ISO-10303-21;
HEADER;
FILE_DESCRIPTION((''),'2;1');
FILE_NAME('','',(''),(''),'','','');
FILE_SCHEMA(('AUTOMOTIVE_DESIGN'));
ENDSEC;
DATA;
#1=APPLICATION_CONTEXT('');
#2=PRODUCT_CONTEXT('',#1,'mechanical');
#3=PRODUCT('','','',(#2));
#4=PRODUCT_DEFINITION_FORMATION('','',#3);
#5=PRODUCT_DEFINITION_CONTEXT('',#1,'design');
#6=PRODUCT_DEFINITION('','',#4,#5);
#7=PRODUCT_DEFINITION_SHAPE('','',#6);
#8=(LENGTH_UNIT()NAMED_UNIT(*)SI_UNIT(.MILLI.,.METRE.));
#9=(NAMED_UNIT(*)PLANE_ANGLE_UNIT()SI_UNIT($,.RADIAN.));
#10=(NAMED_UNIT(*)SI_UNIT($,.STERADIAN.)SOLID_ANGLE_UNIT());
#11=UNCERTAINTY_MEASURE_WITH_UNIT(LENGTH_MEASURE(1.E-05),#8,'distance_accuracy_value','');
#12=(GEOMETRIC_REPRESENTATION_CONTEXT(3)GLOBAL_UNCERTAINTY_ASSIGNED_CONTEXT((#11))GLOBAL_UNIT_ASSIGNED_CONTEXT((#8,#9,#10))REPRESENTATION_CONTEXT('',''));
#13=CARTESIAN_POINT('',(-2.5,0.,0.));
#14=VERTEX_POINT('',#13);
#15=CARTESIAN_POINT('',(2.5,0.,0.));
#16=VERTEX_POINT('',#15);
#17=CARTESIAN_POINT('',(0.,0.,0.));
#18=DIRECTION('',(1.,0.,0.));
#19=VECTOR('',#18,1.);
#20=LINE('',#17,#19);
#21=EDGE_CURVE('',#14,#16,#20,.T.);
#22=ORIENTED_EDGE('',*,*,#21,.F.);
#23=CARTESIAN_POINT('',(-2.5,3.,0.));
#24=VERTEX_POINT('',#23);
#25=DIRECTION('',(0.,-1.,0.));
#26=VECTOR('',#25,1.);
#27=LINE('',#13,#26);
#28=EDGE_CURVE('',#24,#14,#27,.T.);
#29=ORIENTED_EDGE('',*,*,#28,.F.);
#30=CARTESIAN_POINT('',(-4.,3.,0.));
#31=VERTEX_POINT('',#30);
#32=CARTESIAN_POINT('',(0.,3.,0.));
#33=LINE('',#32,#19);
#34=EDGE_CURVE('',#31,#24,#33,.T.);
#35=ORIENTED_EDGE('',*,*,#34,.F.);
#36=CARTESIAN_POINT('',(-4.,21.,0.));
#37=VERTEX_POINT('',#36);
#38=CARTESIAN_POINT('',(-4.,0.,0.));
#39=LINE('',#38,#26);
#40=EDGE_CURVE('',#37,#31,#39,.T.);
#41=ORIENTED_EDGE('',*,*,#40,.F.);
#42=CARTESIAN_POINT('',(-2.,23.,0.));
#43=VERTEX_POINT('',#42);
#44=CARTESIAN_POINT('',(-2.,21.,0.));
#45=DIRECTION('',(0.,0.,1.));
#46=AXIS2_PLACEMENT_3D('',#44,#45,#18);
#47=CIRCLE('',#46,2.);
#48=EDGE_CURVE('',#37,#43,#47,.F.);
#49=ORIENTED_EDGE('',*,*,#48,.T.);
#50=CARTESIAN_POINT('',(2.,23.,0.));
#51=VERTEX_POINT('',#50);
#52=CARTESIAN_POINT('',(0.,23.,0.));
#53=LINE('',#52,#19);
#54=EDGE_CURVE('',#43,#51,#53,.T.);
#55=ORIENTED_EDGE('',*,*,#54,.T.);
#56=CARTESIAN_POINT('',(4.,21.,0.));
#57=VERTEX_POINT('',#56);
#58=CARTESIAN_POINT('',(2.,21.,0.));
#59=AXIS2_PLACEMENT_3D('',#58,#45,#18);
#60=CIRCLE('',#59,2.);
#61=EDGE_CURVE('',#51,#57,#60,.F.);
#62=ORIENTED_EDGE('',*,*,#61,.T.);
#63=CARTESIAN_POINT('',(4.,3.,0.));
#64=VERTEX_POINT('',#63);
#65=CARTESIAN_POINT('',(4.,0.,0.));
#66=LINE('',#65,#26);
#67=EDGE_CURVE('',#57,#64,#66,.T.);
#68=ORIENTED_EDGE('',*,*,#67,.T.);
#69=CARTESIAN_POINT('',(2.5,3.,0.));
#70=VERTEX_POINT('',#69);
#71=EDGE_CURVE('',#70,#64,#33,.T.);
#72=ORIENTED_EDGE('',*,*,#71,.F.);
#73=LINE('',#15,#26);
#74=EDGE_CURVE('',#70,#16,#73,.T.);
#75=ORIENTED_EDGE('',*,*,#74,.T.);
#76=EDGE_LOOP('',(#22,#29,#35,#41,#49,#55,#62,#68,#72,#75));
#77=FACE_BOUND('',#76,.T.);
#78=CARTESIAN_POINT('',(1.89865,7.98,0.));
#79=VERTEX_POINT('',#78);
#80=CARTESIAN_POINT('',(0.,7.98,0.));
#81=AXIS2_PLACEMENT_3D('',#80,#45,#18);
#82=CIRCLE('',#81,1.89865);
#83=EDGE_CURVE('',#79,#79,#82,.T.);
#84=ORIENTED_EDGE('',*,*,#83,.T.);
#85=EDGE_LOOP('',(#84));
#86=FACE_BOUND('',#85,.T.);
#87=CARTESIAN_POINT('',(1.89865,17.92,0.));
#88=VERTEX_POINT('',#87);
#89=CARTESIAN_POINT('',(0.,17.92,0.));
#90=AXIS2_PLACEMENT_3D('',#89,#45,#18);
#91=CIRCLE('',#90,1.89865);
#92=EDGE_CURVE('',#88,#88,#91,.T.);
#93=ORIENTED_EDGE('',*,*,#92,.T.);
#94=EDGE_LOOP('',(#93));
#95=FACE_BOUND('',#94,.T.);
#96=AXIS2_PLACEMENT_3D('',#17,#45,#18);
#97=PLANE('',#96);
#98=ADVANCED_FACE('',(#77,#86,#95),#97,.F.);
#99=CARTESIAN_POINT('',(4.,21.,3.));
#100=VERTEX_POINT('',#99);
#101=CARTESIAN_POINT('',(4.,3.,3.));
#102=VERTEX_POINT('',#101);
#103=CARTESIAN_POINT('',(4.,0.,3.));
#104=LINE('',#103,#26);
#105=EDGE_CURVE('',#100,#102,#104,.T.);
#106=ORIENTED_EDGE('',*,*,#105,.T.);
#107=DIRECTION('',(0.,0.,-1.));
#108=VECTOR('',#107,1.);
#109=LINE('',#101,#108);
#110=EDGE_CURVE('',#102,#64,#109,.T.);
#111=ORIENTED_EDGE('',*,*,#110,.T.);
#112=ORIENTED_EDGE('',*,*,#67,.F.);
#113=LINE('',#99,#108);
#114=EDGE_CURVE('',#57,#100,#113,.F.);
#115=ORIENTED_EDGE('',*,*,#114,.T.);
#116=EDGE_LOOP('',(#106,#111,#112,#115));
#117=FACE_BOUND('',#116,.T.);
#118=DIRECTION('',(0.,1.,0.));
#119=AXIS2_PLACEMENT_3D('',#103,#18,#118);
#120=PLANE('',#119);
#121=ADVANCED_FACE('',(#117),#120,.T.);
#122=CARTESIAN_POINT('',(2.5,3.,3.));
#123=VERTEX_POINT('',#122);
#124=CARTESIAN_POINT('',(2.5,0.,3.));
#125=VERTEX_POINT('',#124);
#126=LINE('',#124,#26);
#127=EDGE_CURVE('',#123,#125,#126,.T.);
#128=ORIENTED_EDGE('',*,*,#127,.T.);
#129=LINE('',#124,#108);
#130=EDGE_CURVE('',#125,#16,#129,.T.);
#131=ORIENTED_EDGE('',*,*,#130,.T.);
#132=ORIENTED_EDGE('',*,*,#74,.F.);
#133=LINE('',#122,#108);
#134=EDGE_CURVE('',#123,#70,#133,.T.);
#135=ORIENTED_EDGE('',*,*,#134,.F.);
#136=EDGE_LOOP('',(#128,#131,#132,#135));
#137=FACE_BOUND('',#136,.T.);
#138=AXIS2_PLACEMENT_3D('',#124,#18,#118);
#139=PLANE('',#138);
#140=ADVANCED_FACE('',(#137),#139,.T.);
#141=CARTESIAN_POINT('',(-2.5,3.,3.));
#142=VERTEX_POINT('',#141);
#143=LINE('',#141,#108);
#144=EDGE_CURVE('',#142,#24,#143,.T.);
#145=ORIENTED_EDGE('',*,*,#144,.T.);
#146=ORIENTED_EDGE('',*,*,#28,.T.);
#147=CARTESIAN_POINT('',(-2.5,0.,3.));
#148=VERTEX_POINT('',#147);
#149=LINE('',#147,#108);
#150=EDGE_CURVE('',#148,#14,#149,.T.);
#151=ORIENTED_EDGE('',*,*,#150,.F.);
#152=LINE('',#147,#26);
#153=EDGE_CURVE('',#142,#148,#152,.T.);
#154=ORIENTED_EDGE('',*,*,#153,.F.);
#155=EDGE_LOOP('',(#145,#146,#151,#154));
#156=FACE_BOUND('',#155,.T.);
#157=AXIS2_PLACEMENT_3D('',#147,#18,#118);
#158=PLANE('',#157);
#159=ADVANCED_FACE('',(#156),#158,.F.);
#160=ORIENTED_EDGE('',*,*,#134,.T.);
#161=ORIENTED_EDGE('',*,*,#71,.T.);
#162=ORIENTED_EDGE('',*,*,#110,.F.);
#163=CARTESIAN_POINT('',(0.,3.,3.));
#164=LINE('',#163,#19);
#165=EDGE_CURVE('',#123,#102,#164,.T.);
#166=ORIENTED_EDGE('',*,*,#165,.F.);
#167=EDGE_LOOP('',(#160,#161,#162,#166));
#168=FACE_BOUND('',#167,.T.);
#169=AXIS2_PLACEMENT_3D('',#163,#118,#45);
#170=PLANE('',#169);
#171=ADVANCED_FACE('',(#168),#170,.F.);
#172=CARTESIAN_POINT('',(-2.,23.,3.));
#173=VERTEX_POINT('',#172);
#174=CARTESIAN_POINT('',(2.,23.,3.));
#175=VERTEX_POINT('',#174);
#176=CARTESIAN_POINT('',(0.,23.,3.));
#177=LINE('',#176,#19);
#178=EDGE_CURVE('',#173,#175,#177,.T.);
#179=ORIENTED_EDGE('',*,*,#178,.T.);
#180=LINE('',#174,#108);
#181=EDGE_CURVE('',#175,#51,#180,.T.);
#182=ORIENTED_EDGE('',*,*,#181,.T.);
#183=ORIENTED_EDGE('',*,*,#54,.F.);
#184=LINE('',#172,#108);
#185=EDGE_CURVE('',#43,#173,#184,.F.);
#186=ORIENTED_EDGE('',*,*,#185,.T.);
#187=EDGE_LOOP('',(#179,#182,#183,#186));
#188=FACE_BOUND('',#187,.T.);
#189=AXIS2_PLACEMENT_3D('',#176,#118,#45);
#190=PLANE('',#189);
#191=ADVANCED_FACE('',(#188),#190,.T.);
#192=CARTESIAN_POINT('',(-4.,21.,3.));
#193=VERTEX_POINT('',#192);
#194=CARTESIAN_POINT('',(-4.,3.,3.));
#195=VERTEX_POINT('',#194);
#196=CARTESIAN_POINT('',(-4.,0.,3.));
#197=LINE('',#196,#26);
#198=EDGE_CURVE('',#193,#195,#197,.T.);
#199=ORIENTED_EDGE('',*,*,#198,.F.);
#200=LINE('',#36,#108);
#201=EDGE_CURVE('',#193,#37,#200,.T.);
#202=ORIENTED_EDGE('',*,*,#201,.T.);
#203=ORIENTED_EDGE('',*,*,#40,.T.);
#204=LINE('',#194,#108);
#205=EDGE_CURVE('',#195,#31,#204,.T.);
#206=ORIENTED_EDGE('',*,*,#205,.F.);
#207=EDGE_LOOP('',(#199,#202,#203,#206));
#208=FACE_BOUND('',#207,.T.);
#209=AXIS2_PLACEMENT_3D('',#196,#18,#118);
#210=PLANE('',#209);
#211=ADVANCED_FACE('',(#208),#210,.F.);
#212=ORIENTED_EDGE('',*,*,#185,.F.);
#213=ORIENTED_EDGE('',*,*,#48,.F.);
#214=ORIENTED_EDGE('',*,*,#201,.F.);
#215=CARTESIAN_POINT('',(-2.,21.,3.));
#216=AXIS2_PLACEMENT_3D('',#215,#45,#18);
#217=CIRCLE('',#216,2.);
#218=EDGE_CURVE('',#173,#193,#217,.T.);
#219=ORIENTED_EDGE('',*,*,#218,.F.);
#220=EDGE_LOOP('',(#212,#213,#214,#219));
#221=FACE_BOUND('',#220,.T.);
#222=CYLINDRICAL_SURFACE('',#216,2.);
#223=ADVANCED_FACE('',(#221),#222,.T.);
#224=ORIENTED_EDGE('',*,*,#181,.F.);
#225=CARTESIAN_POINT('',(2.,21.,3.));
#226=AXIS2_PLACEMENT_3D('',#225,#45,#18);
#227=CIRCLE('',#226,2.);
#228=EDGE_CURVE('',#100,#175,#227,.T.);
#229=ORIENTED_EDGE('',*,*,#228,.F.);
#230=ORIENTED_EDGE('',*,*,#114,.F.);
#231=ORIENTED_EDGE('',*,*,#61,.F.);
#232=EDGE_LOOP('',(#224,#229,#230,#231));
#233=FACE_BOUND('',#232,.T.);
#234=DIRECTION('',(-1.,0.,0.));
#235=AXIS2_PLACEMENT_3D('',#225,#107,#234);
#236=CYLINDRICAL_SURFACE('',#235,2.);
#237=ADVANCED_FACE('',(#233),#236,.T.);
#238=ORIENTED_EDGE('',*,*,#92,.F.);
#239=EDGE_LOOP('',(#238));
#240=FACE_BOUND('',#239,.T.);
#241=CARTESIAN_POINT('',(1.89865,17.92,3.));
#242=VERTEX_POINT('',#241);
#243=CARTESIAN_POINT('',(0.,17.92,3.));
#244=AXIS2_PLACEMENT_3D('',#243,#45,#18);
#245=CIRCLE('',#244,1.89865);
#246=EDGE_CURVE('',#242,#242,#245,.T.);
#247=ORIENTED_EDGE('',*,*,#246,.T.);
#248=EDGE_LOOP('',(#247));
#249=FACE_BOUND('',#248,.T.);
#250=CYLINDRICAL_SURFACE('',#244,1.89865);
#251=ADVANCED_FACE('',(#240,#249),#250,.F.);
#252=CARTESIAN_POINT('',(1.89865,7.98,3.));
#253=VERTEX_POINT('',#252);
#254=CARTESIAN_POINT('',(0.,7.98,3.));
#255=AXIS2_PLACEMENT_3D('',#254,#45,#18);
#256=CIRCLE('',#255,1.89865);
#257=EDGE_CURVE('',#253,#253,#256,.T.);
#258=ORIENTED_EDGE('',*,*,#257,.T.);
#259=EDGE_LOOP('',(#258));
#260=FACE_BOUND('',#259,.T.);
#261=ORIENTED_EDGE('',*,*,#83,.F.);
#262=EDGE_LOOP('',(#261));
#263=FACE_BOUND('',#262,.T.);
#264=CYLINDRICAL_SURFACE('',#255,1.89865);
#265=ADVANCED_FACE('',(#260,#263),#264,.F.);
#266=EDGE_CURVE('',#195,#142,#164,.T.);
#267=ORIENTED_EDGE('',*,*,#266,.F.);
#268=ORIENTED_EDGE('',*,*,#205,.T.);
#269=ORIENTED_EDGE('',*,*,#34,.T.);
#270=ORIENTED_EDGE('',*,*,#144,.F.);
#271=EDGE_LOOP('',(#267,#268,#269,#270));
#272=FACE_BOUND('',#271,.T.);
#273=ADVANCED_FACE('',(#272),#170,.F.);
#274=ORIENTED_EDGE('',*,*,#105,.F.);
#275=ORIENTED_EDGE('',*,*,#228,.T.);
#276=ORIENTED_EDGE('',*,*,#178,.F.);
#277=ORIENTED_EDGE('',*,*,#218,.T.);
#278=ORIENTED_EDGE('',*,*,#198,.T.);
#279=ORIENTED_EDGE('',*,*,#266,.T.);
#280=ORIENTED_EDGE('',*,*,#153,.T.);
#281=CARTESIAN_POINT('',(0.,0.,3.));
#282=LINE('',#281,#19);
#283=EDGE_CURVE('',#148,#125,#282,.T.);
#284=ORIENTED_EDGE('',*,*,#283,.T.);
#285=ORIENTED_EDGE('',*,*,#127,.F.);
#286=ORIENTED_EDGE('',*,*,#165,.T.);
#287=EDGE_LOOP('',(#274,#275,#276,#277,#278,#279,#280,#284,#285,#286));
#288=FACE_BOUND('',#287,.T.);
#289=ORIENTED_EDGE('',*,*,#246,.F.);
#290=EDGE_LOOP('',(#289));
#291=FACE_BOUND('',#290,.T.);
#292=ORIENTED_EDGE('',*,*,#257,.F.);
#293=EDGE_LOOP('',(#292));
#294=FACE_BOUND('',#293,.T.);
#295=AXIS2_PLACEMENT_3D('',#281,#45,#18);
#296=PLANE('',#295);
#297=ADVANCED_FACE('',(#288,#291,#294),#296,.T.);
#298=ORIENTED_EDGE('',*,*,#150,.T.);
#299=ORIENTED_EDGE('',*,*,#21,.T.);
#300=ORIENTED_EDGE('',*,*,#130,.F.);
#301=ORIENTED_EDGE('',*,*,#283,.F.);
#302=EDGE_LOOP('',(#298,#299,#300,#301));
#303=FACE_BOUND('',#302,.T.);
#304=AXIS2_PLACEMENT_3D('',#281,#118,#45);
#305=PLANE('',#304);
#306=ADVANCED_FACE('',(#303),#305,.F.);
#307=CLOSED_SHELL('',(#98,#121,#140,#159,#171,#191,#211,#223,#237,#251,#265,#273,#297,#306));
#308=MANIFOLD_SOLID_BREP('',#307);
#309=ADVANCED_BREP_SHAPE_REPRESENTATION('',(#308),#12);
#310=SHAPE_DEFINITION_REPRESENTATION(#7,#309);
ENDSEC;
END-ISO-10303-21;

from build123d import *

# Parameters (mm, degrees)
SKETCH1_W             = 8
SKETCH1_H             = 20
SKETCH1_W_2           = 5
SKETCH1_H_2           = 3
BOSS_EXTRUDE1_DEPTH   = 3
F_6_CLEARANCE_HOLE1_D = 3.7973
FILLET1_R             = 2


with BuildPart() as part:
    # Sketch1 → Boss-Extrude1 (new body)
    with BuildSketch(Plane.XY):
        with Locations((0, 13)):
            Rectangle(SKETCH1_W, SKETCH1_H)
        with Locations((0, 1.5)):
            Rectangle(SKETCH1_W_2, SKETCH1_H_2)
    extrude(amount=BOSS_EXTRUDE1_DEPTH)

    # #6 Clearance Hole1 (through all)
    with Locations(Plane.XY.offset(3)):
        with Locations((0, 17.92), (0, 7.98)):
            Hole(F_6_CLEARANCE_HOLE1_D / 2)

    # Fillet1
    fillet1_edges = [part.edges().sort_by_distance(p)[0] for p in [
        (-4, 23, 1.5),
        (4, 23, 1.5),
    ]]
    fillet(fillet1_edges, radius=FILLET1_R)


solid = part.part
